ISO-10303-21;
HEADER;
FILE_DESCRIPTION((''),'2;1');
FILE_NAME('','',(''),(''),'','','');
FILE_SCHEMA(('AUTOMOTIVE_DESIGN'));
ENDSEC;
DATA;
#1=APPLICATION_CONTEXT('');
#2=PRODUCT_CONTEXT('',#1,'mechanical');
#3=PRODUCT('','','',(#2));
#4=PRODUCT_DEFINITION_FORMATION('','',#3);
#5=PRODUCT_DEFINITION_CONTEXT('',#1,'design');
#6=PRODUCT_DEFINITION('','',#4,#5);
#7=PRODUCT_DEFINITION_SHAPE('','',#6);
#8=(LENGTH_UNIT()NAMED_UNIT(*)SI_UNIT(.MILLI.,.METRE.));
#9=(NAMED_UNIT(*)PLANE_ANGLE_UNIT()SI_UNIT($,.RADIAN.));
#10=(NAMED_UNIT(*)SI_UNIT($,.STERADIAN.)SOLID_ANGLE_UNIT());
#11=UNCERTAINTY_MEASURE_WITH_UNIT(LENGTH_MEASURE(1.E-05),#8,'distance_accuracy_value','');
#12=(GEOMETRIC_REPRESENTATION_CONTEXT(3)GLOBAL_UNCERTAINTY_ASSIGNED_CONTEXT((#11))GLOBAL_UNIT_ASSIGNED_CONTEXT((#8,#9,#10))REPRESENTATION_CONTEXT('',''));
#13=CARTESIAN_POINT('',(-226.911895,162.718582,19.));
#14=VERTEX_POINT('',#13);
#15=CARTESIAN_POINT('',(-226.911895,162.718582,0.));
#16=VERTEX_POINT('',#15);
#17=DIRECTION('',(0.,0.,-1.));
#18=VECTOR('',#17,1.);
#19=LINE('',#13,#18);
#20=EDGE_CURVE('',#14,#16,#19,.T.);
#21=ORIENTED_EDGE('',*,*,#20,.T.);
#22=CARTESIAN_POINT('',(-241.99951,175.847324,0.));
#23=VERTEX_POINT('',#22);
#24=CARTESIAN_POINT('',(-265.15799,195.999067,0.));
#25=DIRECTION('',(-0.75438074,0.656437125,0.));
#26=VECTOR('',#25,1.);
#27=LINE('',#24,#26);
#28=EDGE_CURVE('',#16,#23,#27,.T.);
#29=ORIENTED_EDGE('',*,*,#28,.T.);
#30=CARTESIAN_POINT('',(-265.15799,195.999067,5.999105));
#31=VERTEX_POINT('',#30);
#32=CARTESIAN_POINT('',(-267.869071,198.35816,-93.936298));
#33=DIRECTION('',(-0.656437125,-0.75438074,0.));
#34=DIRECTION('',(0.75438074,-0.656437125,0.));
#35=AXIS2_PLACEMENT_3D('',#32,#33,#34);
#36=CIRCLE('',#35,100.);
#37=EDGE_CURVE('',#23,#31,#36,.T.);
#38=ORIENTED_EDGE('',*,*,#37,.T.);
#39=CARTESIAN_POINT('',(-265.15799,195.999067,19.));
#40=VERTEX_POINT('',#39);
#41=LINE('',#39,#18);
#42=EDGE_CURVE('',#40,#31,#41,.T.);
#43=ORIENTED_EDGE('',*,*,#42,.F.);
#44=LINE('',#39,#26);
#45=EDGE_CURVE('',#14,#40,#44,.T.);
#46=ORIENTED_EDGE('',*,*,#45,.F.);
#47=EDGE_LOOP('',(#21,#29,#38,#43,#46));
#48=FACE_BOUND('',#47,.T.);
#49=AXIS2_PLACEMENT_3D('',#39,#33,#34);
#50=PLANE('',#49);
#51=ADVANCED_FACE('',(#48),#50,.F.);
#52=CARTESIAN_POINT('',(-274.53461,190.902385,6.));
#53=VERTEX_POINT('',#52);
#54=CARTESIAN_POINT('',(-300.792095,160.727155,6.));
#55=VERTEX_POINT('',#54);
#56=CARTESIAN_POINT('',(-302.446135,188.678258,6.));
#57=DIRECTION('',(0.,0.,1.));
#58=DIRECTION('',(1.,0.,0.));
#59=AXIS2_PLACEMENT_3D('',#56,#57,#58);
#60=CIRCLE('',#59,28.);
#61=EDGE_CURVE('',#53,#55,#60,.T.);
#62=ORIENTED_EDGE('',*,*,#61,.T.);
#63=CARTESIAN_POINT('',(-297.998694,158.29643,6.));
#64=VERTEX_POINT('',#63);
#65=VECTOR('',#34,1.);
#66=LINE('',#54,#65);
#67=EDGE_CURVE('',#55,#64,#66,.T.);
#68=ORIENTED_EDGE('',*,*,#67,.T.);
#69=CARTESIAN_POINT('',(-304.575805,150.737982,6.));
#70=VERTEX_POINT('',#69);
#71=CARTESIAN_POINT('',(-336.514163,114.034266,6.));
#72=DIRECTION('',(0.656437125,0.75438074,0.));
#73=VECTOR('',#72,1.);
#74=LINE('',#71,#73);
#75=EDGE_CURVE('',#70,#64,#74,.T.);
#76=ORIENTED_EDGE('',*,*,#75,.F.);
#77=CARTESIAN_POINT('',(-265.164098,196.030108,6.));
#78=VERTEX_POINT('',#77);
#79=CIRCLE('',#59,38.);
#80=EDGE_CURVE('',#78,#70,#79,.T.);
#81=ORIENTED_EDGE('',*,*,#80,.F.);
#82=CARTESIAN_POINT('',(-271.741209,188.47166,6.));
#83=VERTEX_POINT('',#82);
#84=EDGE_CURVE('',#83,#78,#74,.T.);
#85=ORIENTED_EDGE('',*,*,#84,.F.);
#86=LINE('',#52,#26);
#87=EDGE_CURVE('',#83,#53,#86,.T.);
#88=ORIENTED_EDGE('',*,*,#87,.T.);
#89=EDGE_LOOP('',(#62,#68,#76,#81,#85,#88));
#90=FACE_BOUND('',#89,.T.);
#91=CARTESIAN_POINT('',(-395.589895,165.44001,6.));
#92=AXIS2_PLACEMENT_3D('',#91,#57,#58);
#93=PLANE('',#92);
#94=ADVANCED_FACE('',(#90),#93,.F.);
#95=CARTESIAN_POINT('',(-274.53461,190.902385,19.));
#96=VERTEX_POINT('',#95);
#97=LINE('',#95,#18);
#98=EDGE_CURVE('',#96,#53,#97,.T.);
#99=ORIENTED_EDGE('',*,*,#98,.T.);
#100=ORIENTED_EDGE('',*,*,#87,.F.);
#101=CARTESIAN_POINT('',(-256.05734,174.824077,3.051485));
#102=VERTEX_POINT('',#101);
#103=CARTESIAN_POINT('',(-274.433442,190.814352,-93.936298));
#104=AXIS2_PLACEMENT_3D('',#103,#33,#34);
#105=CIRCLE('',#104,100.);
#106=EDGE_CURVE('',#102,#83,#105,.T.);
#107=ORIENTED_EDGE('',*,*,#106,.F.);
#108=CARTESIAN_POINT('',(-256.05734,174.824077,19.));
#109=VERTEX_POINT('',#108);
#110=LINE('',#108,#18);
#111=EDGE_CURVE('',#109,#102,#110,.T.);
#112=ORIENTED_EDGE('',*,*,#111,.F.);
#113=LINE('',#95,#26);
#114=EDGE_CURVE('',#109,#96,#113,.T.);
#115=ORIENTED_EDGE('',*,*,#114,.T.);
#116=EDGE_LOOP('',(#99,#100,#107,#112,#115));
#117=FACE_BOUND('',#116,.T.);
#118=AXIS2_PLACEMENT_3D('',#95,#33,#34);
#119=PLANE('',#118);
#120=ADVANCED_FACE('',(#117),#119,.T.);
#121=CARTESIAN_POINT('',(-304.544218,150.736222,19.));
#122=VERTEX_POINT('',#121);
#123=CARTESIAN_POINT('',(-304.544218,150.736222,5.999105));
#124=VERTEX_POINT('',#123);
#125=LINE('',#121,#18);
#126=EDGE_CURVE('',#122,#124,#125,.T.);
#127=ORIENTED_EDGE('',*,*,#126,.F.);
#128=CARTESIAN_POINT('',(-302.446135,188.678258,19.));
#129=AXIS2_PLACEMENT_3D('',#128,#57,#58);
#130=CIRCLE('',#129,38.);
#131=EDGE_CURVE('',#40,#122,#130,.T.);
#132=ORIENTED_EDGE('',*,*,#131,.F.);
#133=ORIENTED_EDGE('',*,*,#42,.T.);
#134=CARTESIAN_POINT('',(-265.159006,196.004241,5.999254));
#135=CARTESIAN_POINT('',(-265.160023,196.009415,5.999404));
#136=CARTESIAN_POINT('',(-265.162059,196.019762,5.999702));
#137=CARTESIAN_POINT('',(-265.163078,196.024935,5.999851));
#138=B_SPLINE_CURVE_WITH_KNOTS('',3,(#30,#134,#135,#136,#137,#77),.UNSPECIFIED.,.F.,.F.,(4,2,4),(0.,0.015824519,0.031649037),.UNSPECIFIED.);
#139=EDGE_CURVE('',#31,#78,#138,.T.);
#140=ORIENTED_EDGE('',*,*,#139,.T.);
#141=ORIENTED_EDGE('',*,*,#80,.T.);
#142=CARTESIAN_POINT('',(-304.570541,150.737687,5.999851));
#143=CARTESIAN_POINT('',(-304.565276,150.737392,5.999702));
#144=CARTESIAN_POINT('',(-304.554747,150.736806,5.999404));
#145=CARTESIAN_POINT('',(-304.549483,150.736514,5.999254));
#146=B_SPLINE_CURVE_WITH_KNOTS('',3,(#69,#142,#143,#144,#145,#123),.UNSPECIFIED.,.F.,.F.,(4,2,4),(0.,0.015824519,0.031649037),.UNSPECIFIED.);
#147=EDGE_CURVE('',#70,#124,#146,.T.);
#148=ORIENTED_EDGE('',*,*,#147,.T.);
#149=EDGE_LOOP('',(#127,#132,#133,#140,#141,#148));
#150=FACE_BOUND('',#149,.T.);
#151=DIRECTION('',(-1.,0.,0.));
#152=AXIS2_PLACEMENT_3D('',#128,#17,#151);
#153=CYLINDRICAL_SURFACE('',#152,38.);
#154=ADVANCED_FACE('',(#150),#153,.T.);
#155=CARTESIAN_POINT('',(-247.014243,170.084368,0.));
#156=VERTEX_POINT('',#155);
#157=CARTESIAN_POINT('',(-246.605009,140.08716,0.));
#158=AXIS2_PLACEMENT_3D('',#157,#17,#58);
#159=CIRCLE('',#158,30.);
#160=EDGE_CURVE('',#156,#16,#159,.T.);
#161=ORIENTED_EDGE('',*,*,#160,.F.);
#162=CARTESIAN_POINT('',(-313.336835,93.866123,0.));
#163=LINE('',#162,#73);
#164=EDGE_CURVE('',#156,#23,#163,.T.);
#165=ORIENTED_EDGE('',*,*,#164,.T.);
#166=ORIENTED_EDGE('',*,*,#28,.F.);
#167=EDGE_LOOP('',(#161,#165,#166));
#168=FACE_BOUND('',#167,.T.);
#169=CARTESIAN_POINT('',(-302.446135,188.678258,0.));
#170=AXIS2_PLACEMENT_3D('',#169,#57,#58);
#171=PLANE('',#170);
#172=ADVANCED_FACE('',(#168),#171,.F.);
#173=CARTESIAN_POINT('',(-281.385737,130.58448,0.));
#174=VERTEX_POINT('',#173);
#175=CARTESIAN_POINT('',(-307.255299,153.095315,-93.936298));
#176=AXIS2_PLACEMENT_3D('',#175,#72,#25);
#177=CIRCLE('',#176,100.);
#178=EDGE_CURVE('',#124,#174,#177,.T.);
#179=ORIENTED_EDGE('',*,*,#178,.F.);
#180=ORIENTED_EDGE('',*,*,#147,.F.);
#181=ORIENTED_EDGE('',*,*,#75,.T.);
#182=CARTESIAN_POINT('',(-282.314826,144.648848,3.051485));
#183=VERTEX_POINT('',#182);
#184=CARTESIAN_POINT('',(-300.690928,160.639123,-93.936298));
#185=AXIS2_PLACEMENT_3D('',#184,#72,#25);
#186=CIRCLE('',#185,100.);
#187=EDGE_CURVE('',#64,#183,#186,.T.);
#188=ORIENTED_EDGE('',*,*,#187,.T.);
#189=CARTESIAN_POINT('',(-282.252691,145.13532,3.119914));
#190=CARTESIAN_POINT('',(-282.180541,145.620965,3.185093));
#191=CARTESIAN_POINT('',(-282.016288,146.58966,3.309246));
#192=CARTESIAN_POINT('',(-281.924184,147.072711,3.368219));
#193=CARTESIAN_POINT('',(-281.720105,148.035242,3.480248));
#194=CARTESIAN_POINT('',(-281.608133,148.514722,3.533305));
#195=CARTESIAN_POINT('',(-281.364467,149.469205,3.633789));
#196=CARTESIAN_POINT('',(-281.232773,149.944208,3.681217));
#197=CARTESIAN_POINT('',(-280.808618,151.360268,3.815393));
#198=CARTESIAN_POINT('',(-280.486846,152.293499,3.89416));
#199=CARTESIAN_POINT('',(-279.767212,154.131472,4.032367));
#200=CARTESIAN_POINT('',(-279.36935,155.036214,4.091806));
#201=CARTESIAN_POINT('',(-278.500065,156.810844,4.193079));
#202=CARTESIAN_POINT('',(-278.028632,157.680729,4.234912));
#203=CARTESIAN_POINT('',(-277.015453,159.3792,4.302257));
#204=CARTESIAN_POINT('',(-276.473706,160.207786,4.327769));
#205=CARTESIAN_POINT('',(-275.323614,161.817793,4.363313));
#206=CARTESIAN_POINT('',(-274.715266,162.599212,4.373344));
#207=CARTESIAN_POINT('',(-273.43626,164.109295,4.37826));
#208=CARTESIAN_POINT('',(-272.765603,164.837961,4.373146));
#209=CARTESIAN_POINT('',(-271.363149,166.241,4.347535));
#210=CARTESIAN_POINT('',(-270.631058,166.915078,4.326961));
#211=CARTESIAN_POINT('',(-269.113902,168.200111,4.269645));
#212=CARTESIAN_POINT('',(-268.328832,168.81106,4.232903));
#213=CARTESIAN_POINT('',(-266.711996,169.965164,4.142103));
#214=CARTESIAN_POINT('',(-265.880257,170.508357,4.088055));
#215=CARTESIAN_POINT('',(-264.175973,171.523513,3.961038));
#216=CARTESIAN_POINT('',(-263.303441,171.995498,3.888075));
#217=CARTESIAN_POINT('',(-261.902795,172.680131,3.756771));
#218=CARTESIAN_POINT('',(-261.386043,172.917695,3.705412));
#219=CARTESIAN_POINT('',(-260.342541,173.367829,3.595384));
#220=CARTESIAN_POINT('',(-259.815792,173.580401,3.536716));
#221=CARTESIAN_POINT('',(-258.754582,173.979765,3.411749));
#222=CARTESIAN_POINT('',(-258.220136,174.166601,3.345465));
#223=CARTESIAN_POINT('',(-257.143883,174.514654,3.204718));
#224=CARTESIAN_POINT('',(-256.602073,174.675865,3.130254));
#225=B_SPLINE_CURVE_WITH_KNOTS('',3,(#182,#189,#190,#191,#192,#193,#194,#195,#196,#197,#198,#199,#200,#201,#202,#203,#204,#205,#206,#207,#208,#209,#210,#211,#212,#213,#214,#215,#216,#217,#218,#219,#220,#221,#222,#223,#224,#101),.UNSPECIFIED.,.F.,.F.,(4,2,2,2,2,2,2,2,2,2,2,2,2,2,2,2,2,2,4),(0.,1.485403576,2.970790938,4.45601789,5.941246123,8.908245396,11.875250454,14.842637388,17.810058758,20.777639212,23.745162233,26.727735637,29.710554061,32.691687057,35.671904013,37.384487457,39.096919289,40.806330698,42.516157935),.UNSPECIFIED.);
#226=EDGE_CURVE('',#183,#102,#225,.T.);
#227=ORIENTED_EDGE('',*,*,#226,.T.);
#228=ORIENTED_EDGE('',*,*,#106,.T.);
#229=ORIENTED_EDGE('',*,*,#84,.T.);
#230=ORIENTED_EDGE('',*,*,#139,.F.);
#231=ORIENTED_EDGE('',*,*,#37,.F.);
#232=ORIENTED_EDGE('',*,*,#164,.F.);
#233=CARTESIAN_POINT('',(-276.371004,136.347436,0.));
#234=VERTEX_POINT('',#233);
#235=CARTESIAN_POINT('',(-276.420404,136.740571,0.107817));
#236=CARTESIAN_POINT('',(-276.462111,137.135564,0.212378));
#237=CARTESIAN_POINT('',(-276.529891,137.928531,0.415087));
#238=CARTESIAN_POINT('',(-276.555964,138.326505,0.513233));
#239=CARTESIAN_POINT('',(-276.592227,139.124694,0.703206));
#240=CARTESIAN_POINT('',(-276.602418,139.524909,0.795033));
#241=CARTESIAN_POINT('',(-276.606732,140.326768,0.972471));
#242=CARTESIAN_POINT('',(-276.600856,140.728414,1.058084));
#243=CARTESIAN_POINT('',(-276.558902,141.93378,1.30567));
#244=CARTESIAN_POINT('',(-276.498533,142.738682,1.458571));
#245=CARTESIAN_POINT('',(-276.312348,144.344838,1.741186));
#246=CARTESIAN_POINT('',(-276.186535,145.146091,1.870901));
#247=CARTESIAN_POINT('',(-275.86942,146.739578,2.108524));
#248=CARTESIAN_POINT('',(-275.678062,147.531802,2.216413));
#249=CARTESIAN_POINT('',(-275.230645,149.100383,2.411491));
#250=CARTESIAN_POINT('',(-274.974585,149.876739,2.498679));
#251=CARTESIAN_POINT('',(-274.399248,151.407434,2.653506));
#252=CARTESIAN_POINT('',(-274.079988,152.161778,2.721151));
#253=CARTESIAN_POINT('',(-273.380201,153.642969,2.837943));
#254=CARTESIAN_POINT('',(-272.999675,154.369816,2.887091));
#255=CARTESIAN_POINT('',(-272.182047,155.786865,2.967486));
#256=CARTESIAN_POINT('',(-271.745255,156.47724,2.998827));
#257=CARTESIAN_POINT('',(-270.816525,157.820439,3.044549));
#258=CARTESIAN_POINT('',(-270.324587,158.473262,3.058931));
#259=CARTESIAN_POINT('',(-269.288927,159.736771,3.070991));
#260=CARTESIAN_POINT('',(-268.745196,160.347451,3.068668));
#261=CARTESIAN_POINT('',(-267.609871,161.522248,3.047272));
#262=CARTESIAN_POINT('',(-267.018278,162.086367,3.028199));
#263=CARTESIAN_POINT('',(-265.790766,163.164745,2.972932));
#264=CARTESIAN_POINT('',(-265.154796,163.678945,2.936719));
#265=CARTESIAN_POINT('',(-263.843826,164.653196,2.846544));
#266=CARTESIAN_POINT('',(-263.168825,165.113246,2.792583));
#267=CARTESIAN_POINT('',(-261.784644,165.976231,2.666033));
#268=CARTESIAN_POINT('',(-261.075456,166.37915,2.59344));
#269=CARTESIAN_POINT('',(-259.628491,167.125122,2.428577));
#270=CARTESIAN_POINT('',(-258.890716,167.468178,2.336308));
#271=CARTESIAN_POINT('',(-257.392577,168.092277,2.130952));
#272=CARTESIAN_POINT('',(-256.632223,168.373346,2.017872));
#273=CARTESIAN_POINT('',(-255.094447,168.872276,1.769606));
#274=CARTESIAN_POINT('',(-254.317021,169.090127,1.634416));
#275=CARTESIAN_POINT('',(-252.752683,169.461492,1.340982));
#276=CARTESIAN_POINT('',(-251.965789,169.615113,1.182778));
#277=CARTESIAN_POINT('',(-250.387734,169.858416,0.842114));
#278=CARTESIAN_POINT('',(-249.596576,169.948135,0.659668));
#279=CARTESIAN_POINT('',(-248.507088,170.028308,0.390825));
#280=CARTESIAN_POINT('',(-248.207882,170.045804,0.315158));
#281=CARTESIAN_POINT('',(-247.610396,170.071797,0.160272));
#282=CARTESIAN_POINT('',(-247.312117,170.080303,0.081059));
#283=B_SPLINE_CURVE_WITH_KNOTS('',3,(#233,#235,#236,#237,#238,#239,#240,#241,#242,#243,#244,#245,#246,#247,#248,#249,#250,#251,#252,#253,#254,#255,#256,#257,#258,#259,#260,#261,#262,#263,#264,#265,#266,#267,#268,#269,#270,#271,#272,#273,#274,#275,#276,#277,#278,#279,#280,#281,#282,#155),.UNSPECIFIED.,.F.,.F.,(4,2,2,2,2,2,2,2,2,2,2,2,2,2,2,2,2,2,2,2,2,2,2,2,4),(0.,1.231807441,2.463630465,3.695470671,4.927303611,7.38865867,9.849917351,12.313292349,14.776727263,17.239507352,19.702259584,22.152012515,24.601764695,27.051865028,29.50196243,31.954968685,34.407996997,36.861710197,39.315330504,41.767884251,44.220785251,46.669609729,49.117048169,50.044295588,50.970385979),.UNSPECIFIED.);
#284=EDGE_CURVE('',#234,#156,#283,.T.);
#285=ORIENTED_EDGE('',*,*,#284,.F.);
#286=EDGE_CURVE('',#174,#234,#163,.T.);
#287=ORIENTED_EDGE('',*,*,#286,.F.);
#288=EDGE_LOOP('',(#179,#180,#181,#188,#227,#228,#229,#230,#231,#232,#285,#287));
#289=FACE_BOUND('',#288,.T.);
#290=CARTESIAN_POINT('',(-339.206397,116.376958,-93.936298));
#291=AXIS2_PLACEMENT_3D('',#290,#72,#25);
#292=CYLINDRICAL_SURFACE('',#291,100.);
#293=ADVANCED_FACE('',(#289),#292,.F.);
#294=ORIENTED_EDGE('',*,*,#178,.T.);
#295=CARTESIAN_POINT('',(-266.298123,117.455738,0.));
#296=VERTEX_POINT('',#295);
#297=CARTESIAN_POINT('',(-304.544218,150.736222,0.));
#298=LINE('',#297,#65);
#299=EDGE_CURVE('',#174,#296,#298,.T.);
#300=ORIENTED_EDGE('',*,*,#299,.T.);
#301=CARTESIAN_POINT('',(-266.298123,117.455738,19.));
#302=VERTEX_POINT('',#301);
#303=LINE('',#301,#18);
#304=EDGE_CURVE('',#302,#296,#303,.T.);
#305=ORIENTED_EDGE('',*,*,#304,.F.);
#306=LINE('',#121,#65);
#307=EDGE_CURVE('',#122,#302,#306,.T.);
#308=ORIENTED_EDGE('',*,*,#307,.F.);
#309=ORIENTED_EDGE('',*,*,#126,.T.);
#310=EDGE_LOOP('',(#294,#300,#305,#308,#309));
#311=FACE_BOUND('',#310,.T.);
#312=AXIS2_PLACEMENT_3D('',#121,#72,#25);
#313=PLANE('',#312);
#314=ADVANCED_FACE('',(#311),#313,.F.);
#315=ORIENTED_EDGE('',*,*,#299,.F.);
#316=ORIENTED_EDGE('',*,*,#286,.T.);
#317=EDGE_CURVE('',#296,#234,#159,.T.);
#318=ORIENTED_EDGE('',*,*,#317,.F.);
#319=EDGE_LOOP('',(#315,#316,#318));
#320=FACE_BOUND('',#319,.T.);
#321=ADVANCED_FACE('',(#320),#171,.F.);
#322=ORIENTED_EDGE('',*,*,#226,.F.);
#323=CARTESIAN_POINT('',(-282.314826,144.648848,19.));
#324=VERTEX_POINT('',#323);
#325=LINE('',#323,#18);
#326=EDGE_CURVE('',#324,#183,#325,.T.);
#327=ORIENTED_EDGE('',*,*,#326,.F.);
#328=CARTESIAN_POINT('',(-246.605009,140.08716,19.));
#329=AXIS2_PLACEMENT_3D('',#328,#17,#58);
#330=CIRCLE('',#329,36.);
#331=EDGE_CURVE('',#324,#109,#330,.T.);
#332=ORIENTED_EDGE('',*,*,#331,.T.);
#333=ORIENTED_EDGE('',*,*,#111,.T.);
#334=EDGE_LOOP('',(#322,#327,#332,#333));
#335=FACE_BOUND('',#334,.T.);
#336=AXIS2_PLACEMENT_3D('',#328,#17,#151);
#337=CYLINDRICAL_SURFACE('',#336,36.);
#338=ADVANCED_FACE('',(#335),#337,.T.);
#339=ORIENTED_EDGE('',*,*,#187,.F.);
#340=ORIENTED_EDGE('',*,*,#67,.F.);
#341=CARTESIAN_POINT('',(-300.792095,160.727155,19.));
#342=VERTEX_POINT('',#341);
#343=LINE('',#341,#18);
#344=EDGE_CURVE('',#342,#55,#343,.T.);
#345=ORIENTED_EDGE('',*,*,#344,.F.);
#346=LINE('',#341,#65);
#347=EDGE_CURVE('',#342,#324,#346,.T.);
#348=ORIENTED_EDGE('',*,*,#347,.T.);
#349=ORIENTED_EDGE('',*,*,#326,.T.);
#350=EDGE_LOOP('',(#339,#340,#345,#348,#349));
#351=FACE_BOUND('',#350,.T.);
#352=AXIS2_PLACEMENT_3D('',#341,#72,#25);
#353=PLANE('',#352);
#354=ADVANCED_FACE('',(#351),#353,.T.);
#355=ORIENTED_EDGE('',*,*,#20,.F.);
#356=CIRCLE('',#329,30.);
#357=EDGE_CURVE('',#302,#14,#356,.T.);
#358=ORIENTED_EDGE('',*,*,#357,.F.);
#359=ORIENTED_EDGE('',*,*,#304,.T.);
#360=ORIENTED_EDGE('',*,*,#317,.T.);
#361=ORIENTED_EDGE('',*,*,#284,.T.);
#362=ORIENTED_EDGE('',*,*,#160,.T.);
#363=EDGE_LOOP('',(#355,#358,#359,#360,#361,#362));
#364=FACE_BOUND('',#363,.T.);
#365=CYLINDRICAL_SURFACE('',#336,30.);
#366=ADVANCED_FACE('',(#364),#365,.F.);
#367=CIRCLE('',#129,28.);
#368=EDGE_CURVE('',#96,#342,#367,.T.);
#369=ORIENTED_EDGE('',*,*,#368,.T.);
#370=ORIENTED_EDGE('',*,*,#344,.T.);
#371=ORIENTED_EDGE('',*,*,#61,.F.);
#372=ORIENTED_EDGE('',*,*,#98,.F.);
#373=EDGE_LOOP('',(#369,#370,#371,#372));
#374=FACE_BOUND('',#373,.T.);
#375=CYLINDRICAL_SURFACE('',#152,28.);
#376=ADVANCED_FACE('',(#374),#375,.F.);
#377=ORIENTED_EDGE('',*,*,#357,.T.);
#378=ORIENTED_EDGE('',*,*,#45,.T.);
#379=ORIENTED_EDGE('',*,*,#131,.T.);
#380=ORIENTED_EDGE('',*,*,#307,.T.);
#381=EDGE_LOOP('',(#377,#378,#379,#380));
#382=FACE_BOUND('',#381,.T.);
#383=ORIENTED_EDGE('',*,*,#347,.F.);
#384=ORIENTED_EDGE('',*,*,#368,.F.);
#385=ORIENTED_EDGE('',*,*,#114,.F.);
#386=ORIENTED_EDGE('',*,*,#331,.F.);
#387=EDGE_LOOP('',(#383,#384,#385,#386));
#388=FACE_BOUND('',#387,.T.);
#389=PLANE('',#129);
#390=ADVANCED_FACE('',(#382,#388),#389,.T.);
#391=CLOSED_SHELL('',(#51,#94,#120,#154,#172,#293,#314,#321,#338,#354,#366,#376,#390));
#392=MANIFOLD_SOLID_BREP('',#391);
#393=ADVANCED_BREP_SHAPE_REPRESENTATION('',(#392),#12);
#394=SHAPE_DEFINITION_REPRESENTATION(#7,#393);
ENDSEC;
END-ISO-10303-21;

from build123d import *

# Parameters (mm, degrees)
BOSS_EXTRUDE1_DEPTH     = 19
CUT_EXTRUDE1_DEPTH      = 49.249947637
CUT_EXTRUDE1_DEPTH_BACK = 109.67350832


with BuildPart() as part:
    # Sketch1 → Boss-Extrude1 (new body)
    with BuildSketch(Plane.XY):
        with BuildLine():
            Line((-265.157990376, 195.999066862), (-226.911895103, 162.718581948))
            ThreePointArc((-226.911895103, 162.718581948), (-269.236431055, 159.780273509), (-266.298122616, 117.455737558))
            Line((-266.298122616, 117.455737558), (-304.54421789, 150.736222472))
            ThreePointArc((-304.54421789, 150.736222472), (-331.112603464, 213.622868622), (-265.157990376, 195.999066862))
        make_face()
        with BuildLine():
            Line((-300.79209478, 160.727155027), (-282.314825505, 144.648847504))
            ThreePointArc((-282.314825505, 144.648847504), (-273.762715494, 163.71889626), (-256.057340496, 174.824077098))
            Line((-256.057340496, 174.824077098), (-274.534609771, 190.902384621))
            ThreePointArc((-274.534609771, 190.902384621), (-323.568796066, 207.05849737), (-300.79209478, 160.727155027))
        make_face(mode=Mode.SUBTRACT)
    extrude(amount=BOSS_EXTRUDE1_DEPTH)

    # Sketch2 → Cut-Extrude1 (cut, two sides)
    with BuildSketch(Plane(origin=(-17.199721271, -19.766003413, 0), x_dir=(0.75438074, -0.656437125, 0), z_dir=(0.656437125, 0.75438074, 0))) as cut_extrude1_sk:
        with BuildLine():
            Line((-407.026362297, 14.142127452), (-297.992481459, 14.142127452))
            Line((-297.992481459, 14.142127452), (-297.992481459, 0))
            ThreePointArc((-297.992481459, 0), (-313.1180692, -4.209672376), (-328.716129113, -6))
            Line((-328.716129113, -6), (-407.026362297, -6))
            Line((-407.026362297, -6), (-407.026362297, 14.142127452))
        make_face()
    extrude(amount=CUT_EXTRUDE1_DEPTH, mode=Mode.SUBTRACT)
    extrude(cut_extrude1_sk.sketch, amount=-CUT_EXTRUDE1_DEPTH_BACK, mode=Mode.SUBTRACT)


solid = part.part
